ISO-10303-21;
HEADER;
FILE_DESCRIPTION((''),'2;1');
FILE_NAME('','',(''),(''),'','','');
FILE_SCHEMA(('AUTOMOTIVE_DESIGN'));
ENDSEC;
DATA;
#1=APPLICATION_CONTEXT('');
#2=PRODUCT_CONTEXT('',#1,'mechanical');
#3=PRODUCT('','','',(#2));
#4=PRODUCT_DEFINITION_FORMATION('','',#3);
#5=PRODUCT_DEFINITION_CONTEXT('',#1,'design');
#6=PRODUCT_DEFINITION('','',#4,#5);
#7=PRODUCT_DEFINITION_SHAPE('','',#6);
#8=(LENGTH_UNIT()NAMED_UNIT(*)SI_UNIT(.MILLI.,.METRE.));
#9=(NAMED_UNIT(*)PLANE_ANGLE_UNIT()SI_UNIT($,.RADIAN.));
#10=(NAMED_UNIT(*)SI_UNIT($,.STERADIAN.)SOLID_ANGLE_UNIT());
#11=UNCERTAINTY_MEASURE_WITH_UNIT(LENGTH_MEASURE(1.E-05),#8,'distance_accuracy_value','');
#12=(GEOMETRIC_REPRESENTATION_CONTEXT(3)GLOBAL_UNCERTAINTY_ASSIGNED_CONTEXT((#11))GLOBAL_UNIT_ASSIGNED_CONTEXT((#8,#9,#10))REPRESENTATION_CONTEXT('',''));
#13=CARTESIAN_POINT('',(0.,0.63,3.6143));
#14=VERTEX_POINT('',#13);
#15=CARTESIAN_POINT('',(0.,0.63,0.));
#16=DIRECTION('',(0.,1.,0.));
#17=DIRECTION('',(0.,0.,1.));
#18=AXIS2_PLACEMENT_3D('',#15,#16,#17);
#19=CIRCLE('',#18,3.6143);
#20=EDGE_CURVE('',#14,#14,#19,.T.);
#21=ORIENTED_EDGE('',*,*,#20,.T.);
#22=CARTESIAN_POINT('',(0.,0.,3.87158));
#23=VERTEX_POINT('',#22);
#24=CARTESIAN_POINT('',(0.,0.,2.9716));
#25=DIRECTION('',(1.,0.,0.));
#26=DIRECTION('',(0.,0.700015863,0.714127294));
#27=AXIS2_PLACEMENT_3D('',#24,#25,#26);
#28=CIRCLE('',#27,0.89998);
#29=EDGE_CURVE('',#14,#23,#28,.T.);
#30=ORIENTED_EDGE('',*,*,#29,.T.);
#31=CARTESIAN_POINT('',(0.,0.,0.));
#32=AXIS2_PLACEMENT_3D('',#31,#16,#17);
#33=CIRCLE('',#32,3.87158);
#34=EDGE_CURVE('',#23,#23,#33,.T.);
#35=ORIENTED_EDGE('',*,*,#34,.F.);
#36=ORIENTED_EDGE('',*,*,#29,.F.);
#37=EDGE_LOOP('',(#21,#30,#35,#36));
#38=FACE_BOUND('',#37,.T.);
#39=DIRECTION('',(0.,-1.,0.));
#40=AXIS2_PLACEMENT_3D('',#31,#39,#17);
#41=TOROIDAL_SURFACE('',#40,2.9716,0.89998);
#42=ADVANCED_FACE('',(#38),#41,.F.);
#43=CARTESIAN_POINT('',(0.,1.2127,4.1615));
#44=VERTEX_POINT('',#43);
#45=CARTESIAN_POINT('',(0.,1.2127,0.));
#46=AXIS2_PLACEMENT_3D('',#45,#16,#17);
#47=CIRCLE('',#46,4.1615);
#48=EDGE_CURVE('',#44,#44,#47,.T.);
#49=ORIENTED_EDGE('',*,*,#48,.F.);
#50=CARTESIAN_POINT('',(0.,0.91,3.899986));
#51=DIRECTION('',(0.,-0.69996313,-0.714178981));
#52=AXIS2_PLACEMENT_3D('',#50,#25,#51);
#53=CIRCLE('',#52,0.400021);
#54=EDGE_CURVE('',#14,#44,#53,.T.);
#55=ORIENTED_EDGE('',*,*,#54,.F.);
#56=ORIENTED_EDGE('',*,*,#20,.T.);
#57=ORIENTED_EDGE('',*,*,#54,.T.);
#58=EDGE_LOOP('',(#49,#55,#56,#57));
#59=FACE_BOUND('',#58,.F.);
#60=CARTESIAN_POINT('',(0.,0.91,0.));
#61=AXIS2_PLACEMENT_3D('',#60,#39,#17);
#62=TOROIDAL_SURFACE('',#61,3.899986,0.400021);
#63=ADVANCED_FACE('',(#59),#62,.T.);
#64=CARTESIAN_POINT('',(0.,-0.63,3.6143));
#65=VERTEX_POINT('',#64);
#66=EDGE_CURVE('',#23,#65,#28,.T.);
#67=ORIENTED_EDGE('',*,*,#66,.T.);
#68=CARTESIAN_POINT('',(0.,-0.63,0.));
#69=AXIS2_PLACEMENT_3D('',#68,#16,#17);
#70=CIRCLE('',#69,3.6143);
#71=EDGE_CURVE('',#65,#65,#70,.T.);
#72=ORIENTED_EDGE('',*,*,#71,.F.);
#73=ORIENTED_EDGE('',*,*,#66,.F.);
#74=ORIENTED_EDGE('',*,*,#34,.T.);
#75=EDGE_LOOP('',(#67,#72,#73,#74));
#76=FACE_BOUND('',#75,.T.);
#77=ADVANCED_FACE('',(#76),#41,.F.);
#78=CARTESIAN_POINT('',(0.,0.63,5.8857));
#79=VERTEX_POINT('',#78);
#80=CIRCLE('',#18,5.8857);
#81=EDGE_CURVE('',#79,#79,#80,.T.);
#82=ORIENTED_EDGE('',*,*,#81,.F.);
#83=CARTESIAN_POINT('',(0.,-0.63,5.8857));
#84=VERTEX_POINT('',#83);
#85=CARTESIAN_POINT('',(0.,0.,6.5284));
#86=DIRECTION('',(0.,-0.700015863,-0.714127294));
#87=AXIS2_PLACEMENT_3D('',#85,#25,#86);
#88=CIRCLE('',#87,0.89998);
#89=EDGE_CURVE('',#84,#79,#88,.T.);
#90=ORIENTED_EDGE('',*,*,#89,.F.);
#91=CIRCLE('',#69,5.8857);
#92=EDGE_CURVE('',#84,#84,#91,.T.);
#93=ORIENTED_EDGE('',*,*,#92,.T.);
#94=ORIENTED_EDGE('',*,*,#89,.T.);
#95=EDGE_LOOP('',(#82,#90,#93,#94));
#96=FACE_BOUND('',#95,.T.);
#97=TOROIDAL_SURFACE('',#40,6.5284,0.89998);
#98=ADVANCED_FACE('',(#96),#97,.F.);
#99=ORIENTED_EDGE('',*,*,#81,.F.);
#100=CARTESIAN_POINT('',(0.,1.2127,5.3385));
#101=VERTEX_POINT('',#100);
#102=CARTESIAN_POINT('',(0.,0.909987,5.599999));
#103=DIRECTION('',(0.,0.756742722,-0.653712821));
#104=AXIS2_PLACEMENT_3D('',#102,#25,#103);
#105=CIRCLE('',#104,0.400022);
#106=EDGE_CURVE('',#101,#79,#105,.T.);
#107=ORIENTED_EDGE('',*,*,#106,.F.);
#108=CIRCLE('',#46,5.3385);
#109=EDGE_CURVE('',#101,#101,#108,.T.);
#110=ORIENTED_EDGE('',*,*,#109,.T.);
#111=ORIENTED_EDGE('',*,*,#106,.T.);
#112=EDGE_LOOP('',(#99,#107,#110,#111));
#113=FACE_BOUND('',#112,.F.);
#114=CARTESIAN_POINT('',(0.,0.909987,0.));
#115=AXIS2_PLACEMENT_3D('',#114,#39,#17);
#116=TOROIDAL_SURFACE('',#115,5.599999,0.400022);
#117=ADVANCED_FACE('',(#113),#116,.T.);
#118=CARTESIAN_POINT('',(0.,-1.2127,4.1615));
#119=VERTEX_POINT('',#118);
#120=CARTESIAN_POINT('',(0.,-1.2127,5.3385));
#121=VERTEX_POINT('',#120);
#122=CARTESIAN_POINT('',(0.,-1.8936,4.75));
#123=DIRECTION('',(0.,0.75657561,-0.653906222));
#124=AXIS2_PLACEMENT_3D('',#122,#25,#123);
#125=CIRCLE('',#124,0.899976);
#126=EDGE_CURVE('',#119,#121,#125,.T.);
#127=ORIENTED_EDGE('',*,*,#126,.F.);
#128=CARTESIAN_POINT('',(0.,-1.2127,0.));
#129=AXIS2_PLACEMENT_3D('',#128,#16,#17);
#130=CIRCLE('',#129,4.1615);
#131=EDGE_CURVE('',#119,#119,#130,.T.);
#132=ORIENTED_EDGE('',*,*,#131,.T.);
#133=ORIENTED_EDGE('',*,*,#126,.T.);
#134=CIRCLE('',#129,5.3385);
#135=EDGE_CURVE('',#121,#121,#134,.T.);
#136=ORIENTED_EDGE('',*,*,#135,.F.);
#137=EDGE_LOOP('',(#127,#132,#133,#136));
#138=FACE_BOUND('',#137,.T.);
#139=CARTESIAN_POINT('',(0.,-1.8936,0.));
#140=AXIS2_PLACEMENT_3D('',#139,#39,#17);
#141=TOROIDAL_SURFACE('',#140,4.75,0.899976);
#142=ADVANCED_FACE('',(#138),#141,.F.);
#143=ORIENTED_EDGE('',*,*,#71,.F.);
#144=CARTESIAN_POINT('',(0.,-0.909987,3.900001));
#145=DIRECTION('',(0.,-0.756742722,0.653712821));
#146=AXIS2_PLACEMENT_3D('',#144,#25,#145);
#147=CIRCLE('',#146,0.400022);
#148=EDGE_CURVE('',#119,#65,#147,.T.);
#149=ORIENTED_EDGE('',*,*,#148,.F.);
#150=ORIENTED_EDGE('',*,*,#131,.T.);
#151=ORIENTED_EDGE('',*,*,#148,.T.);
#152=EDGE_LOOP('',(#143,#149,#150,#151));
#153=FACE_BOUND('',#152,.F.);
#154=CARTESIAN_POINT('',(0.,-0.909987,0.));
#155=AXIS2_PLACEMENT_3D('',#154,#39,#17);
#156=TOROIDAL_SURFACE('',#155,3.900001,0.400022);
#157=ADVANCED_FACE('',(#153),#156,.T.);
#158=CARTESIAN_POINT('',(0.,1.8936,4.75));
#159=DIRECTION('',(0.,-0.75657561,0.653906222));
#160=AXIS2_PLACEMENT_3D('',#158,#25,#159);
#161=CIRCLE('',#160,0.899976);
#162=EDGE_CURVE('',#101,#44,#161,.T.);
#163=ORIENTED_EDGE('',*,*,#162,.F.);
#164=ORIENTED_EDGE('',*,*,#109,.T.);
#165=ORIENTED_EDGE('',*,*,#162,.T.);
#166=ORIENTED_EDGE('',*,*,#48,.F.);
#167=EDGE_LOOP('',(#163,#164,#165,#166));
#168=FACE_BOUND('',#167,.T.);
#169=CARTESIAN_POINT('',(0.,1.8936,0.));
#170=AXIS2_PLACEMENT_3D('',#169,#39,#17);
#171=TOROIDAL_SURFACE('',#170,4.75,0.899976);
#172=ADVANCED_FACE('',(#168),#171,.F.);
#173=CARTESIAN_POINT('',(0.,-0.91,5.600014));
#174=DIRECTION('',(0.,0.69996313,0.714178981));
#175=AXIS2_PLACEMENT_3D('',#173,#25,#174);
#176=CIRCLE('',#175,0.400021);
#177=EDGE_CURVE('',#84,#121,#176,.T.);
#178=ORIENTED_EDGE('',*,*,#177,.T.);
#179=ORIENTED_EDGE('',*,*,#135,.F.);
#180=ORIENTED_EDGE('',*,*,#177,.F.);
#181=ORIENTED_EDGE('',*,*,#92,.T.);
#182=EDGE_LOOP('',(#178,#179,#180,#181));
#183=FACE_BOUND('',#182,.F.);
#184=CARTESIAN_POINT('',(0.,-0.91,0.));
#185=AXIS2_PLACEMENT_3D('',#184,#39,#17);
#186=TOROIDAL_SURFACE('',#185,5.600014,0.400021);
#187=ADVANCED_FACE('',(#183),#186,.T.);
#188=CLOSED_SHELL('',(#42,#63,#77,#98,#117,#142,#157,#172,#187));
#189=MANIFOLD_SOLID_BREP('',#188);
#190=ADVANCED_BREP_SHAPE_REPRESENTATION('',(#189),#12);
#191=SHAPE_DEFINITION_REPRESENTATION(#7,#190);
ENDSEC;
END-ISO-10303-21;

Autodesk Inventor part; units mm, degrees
ref_plane "YZ Plane" through (0, 0, 0) normal (1, 0, 0) x (0, 1, 0)
ref_plane "XZ Plane" through (0, 0, 0) normal (0, 1, 0) x (-1, 0, 0)
ref_plane "XY Plane" through (0, 0, 0) normal (0, 0, 1) x (1, 0, 0)
sketch "Skizze1" plane through (0, 0, 0) normal (1, 0, 0) x (0, 1, 0)
  arc A0 (-0.63, 5.8857) -> (-1.2127, 5.3385) centre (-0.91, 5.6) ccw
  arc A1 (-0.63, 5.8857) -> (0.63, 5.8857) centre (0, 6.5284) ccw
  arc A2 (1.2127, 5.3385) -> (0.63, 5.8857) centre (0.91, 5.6) ccw
  arc A3 (1.2127, 5.3385) -> (1.2127, 4.1615) centre (1.8936, 4.75) ccw
  arc A4 (0.63, 3.6143) -> (1.2127, 4.1615) centre (0.91, 3.9) ccw
  arc A5 (0.63, 3.6143) -> (-0.63, 3.6143) centre (0, 2.9716) ccw
  arc A6 (-1.2127, 4.1615) -> (-0.63, 3.6143) centre (-0.91, 3.9) ccw
  arc A7 (-1.2127, 4.1615) -> (-1.2127, 5.3385) centre (-1.8936, 4.75) ccw
  line L0 (-0.91, 5.6) -> (0.91, 5.6) construction
  line L1 (0.91, 5.6) -> (0.91, 3.9) construction
  line L2 (0.91, 3.9) -> (-0.91, 3.9) construction
  line L3 (-0.91, 3.9) -> (-0.91, 5.6) construction
  line L4 (0, 7.8341) -> (0, -1.3057) projected
  line L5 (-2.6511, 0) -> (2.6511, 0) construction
  line L6 (0, 5.6) -> (0, 3.9) construction
  line L7 (-0.91, 4.75) -> (0.91, 4.75) construction
  line L8 (-0.91, 5.6) -> (-1.31, 5.6) construction
  line L9 (-0.91, 3.9) -> (-1.31, 3.9) construction
  line L10 (-1.31, 3.9) -> (-1.31, 5.6) construction
  line L11 (-0.91, 5.6) -> (-0.91, 6) construction
  line L12 (-0.91, 3.9) -> (-0.91, 3.5) construction
  line L13 (0.91, 3.9) -> (0.91, 3.5) construction
  line L14 (-0.91, 3.5) -> (0.91, 3.5) construction
  line L15 (0.91, 5.6) -> (1.31, 5.6) construction
  line L16 (0.91, 3.9) -> (1.31, 3.9) construction
  line L17 (-0.91, 6) -> (0.91, 6) construction
  point P0 (0, 0)
  dimension "d0" = 2.5
  dimension "d1" = 7
  dimension "d2" = 2.62
  dimension "d3" = 0.9
  dimension "d4" = 0.4
revolve "Umdrehung1" add sketch "Skizze1" angle 360 about axis through (0, 0, 0) along (0, 1, 0)
properties part number "X-Ring 6x2.6" material "Gummi, Silikon"
